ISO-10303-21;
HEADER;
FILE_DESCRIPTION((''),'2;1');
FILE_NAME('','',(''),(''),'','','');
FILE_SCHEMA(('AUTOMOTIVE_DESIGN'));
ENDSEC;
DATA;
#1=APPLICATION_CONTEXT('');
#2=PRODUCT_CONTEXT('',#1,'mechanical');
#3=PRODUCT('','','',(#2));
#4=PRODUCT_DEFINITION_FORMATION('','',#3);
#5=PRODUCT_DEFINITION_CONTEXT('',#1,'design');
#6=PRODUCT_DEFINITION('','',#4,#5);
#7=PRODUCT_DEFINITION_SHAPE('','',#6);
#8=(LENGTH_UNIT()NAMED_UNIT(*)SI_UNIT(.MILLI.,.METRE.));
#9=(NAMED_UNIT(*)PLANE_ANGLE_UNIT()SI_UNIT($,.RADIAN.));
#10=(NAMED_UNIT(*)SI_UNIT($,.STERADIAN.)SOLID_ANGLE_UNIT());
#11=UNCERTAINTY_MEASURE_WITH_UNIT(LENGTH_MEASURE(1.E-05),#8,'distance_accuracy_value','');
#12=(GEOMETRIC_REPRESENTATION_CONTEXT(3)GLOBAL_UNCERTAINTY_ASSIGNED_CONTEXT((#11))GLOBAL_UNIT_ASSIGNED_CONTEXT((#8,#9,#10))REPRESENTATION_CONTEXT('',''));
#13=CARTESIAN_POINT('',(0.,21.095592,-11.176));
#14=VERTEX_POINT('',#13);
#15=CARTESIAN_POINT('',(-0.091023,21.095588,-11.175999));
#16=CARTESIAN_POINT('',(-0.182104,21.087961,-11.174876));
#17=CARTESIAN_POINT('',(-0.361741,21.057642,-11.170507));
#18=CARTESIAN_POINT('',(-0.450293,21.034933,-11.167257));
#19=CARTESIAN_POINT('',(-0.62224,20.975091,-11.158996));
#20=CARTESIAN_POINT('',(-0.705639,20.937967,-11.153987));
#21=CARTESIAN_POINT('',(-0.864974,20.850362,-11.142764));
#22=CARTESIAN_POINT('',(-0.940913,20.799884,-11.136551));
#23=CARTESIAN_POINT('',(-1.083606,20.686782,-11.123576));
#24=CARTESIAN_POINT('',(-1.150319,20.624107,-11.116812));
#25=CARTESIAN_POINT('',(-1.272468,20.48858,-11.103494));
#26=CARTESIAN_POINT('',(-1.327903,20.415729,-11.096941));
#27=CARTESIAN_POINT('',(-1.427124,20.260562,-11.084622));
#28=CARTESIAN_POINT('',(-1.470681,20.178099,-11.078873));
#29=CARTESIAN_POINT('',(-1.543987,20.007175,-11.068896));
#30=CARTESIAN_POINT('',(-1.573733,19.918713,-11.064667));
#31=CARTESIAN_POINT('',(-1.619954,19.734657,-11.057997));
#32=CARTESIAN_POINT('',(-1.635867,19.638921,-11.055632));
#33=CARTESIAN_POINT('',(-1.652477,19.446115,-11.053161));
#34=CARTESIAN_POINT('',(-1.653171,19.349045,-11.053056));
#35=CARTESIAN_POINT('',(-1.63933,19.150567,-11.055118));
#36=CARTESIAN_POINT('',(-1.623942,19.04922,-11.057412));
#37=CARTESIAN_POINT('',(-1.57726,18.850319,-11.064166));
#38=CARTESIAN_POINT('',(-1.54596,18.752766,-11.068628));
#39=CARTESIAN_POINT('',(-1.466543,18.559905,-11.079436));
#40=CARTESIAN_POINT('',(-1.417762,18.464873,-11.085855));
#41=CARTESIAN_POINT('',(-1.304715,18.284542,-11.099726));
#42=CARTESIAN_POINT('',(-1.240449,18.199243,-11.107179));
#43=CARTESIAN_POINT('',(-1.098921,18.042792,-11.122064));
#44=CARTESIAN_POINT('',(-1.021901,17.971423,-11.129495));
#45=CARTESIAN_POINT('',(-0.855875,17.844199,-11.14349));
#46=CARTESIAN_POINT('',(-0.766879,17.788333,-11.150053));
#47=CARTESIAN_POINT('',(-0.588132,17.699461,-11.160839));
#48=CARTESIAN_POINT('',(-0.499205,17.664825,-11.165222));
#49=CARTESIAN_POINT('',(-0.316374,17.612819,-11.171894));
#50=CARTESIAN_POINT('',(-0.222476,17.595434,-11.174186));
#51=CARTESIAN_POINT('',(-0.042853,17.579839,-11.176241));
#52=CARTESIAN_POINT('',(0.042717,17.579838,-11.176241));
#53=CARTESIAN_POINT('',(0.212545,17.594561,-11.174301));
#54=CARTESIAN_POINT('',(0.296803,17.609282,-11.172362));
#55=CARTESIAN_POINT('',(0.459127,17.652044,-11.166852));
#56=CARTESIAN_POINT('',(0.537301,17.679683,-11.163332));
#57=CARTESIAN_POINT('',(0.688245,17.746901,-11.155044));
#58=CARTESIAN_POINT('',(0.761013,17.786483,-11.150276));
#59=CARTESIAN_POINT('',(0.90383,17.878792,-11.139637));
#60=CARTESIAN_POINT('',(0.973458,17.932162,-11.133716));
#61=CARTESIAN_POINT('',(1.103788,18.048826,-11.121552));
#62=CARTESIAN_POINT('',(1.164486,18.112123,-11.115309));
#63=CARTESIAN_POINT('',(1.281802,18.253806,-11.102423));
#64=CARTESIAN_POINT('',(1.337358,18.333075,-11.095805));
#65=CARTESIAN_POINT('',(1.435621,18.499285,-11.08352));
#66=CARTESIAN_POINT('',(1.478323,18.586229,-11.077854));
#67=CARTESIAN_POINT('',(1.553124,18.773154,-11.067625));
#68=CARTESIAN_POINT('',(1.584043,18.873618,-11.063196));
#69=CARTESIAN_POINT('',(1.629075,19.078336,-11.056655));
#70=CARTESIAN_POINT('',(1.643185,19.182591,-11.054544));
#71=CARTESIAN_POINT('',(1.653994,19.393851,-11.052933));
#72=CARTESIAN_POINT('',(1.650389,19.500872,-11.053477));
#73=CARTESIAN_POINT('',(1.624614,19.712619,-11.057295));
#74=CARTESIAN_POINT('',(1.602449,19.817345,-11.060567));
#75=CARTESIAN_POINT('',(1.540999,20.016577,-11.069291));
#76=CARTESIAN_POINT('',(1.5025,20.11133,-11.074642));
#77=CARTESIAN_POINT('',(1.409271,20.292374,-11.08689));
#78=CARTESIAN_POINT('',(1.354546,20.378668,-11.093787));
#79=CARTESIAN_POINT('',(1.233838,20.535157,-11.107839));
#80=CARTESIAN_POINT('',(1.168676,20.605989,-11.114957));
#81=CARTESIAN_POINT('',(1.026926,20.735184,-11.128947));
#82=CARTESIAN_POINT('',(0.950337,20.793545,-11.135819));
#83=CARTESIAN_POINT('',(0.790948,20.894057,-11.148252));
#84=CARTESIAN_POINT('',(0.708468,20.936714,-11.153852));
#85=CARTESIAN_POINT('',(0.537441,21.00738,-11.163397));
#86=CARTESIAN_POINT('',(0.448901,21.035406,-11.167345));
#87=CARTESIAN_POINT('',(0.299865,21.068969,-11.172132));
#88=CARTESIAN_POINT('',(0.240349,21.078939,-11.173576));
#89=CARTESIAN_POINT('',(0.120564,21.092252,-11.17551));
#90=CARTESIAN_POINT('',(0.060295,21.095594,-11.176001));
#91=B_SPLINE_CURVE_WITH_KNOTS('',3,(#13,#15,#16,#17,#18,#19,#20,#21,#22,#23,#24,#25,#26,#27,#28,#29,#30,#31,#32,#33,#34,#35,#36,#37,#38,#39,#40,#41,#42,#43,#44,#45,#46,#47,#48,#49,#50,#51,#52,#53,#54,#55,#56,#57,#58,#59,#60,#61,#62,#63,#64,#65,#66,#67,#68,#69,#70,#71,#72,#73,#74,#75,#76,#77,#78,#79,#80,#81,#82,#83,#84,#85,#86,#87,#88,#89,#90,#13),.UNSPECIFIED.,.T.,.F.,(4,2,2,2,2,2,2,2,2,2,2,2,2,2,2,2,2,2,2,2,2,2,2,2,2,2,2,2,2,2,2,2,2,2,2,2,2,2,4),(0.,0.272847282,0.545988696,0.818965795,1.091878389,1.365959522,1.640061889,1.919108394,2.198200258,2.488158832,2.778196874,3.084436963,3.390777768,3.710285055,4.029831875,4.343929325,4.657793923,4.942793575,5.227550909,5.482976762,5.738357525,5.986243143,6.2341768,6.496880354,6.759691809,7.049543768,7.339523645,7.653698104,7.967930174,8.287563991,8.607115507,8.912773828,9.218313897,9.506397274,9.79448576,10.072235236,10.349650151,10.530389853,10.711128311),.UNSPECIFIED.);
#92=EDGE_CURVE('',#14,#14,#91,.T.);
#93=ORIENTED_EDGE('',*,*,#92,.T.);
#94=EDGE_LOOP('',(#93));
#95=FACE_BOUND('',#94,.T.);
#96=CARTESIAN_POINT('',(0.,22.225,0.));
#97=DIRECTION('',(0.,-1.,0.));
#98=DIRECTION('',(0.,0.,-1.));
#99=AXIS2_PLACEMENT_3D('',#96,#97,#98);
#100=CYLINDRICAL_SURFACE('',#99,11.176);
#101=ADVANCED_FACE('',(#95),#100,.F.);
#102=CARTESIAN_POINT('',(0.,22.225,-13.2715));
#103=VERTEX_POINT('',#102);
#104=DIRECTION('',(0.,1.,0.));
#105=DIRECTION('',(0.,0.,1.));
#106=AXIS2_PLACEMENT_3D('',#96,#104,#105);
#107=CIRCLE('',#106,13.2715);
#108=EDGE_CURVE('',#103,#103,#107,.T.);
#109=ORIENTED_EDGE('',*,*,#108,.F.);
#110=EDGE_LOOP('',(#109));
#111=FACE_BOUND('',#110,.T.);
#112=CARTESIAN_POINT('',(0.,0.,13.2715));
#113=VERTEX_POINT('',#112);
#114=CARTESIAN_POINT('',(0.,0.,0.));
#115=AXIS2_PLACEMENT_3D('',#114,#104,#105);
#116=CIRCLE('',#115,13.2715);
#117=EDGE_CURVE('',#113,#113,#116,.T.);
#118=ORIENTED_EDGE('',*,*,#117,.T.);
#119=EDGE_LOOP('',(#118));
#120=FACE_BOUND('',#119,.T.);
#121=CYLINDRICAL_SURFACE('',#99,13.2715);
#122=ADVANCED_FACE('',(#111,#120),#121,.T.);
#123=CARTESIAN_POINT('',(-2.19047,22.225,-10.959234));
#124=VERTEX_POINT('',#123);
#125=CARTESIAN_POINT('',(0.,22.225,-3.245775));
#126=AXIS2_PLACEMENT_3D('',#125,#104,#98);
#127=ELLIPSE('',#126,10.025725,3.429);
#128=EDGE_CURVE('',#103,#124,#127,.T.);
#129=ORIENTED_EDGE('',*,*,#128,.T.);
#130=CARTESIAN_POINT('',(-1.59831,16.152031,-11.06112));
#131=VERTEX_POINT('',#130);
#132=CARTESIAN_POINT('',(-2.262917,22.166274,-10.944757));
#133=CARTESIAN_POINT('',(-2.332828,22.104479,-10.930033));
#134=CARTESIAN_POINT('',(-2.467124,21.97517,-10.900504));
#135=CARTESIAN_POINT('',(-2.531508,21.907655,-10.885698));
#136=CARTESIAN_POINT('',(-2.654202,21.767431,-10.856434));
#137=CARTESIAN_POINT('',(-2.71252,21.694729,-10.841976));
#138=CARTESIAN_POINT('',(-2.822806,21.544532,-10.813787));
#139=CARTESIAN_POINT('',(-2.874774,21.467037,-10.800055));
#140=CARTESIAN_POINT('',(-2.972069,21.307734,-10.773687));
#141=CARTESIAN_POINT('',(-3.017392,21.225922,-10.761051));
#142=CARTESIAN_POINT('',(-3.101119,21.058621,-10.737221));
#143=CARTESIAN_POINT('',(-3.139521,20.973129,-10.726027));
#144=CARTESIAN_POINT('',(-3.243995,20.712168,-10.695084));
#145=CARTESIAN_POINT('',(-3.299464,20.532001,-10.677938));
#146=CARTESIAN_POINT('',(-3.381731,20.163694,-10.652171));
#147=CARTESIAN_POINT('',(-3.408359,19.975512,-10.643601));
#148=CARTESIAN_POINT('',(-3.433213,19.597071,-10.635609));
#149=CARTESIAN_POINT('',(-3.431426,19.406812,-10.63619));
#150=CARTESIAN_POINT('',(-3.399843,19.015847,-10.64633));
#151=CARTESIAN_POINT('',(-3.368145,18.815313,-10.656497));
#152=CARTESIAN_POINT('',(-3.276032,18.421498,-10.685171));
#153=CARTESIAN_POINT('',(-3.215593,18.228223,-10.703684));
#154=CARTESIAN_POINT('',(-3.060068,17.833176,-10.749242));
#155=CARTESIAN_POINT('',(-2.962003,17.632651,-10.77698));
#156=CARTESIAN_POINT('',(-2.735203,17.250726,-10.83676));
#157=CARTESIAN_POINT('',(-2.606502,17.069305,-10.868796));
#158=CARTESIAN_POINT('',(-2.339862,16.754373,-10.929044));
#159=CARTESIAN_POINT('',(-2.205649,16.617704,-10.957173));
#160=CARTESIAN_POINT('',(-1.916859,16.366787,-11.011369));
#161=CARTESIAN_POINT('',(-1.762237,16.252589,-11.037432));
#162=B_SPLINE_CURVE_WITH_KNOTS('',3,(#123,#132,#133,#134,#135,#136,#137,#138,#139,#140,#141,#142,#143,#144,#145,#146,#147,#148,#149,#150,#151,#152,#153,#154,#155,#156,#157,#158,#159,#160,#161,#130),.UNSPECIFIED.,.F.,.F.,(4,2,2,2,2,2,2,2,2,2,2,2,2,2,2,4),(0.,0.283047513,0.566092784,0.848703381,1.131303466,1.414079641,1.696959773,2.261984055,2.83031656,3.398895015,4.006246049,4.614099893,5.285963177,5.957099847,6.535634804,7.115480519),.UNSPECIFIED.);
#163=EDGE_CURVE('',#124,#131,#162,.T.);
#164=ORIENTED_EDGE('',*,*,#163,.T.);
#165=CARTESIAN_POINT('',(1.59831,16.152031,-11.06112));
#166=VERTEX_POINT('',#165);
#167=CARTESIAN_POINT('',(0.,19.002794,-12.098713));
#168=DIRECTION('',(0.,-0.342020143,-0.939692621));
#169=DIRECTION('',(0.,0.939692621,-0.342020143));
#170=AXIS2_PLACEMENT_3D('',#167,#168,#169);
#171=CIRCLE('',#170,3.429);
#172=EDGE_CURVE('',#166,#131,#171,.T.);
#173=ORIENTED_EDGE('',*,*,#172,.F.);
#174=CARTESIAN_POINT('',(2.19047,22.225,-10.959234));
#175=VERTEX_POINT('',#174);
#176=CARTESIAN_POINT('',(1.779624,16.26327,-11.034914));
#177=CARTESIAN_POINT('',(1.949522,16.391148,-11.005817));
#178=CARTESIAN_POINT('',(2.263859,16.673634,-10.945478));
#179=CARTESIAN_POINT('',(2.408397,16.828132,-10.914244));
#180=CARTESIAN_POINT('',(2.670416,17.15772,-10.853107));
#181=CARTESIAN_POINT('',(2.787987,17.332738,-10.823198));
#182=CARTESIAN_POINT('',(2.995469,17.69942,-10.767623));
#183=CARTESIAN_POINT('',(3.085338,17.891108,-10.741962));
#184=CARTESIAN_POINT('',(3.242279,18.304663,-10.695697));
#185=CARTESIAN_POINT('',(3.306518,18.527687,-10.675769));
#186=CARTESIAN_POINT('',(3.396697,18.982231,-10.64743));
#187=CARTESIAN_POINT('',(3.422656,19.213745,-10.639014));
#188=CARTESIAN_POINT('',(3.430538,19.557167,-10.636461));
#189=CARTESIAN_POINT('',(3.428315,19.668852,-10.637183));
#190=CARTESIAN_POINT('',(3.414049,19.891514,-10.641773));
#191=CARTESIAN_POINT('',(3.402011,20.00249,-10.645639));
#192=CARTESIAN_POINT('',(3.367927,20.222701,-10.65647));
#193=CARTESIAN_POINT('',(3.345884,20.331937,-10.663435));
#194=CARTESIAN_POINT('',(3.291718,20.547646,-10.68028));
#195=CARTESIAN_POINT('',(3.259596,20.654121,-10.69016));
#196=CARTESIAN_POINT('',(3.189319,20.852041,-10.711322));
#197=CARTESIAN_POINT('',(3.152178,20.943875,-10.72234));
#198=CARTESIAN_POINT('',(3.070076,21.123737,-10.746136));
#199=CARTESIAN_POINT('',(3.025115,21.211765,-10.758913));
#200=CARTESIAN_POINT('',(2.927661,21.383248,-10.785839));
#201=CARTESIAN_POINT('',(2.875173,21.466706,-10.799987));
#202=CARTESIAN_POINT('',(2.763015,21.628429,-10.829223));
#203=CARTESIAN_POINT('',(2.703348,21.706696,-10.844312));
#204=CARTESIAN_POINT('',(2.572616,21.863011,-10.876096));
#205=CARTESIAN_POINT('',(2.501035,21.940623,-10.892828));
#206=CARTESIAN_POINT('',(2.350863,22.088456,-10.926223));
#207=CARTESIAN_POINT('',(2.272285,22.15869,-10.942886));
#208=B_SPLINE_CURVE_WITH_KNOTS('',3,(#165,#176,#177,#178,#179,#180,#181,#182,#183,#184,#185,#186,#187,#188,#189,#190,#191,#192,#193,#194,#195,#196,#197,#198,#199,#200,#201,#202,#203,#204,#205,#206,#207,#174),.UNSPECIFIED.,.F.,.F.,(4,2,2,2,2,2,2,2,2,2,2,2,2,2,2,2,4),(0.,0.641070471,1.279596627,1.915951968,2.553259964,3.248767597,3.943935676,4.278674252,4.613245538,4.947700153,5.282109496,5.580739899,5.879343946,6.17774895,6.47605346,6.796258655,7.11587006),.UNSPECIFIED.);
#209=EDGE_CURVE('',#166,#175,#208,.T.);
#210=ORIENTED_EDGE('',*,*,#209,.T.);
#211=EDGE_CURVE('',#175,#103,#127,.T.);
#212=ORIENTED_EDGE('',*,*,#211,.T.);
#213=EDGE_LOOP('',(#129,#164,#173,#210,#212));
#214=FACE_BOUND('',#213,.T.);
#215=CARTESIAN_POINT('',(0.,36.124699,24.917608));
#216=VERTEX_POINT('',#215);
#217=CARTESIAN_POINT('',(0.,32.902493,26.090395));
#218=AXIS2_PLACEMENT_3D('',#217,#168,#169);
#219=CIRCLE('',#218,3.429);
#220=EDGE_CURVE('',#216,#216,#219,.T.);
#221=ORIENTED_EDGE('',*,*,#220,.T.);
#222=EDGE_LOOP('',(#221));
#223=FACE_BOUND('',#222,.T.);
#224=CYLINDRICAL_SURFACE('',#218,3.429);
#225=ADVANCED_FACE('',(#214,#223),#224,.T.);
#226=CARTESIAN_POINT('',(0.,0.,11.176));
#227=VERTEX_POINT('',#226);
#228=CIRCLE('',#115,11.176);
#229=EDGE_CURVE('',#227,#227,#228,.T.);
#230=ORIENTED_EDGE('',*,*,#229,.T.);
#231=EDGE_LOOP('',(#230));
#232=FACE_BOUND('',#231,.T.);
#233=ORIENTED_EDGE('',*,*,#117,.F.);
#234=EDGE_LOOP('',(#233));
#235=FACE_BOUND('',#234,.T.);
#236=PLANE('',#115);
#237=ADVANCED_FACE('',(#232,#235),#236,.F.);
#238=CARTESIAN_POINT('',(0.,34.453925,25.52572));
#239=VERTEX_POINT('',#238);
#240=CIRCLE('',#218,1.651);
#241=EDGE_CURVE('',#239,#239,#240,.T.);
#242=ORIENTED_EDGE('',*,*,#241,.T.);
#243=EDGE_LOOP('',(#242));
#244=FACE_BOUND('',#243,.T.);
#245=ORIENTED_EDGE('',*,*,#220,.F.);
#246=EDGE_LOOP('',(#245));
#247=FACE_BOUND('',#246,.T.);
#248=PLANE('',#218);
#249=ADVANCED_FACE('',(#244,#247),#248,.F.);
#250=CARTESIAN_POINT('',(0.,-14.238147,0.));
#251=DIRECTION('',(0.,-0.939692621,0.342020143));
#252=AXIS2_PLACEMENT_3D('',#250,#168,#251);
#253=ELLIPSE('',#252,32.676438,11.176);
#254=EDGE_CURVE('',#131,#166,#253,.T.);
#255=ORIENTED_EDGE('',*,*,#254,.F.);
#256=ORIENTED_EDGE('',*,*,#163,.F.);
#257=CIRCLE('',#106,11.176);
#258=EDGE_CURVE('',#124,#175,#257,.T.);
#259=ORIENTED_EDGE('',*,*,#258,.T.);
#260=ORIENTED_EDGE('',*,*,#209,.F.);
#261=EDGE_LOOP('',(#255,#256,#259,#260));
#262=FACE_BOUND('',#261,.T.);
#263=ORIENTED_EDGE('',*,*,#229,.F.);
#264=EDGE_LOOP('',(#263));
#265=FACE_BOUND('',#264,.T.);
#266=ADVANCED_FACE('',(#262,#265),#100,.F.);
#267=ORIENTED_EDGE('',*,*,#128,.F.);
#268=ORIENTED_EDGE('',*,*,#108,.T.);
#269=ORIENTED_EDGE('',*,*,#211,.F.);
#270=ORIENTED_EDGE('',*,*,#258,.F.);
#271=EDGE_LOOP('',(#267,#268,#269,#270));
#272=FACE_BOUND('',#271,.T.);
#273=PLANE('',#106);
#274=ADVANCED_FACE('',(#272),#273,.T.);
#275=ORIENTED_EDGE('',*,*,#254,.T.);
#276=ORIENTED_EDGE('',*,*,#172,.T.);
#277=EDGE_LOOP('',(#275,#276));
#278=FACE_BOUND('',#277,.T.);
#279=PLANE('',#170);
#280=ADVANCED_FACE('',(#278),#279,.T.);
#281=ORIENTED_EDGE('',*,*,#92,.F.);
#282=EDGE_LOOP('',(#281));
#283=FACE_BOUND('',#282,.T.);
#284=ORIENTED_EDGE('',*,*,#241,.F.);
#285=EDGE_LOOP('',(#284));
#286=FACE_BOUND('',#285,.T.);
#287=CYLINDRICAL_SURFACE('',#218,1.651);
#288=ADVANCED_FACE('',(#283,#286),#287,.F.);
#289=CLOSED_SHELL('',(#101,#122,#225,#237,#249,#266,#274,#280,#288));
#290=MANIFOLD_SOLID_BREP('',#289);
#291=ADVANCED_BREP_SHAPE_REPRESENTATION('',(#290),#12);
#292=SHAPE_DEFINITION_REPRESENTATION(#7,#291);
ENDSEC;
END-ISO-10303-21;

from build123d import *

# Parameters (mm, degrees)
SKETCH1_R           = 13.2715
SKETCH1_R_2         = 11.176
BOSS_EXTRUDE1_DEPTH = 22.225
SKETCH2_R           = 3.429
SKETCH2_R_2         = 1.651
BOSS_EXTRUDE2_DEPTH = 40.64


with BuildPart() as part:
    # Sketch1 → Boss-Extrude1 (new body)
    with BuildSketch(Plane(origin=(0, 0, 0), x_dir=(1, 0, 0), z_dir=(0, 1, 0))):
        Circle(SKETCH1_R)
        Circle(SKETCH1_R_2, mode=Mode.SUBTRACT)
    extrude(amount=BOSS_EXTRUDE1_DEPTH)

    # Sketch2 → Boss-Extrude2 (add)
    with BuildSketch(Plane(origin=(0, -1.665546755, -4.576052101), x_dir=(-1, 0, 0), z_dir=(0, -0.3420201433256661, -0.9396926207859093))):
        with Locations((0, 21.994788829)):
            Circle(SKETCH2_R)
        with Locations((0, 21.994788829)):
            Circle(SKETCH2_R_2, mode=Mode.SUBTRACT)
    extrude(amount=-BOSS_EXTRUDE2_DEPTH)


solid = part.part
